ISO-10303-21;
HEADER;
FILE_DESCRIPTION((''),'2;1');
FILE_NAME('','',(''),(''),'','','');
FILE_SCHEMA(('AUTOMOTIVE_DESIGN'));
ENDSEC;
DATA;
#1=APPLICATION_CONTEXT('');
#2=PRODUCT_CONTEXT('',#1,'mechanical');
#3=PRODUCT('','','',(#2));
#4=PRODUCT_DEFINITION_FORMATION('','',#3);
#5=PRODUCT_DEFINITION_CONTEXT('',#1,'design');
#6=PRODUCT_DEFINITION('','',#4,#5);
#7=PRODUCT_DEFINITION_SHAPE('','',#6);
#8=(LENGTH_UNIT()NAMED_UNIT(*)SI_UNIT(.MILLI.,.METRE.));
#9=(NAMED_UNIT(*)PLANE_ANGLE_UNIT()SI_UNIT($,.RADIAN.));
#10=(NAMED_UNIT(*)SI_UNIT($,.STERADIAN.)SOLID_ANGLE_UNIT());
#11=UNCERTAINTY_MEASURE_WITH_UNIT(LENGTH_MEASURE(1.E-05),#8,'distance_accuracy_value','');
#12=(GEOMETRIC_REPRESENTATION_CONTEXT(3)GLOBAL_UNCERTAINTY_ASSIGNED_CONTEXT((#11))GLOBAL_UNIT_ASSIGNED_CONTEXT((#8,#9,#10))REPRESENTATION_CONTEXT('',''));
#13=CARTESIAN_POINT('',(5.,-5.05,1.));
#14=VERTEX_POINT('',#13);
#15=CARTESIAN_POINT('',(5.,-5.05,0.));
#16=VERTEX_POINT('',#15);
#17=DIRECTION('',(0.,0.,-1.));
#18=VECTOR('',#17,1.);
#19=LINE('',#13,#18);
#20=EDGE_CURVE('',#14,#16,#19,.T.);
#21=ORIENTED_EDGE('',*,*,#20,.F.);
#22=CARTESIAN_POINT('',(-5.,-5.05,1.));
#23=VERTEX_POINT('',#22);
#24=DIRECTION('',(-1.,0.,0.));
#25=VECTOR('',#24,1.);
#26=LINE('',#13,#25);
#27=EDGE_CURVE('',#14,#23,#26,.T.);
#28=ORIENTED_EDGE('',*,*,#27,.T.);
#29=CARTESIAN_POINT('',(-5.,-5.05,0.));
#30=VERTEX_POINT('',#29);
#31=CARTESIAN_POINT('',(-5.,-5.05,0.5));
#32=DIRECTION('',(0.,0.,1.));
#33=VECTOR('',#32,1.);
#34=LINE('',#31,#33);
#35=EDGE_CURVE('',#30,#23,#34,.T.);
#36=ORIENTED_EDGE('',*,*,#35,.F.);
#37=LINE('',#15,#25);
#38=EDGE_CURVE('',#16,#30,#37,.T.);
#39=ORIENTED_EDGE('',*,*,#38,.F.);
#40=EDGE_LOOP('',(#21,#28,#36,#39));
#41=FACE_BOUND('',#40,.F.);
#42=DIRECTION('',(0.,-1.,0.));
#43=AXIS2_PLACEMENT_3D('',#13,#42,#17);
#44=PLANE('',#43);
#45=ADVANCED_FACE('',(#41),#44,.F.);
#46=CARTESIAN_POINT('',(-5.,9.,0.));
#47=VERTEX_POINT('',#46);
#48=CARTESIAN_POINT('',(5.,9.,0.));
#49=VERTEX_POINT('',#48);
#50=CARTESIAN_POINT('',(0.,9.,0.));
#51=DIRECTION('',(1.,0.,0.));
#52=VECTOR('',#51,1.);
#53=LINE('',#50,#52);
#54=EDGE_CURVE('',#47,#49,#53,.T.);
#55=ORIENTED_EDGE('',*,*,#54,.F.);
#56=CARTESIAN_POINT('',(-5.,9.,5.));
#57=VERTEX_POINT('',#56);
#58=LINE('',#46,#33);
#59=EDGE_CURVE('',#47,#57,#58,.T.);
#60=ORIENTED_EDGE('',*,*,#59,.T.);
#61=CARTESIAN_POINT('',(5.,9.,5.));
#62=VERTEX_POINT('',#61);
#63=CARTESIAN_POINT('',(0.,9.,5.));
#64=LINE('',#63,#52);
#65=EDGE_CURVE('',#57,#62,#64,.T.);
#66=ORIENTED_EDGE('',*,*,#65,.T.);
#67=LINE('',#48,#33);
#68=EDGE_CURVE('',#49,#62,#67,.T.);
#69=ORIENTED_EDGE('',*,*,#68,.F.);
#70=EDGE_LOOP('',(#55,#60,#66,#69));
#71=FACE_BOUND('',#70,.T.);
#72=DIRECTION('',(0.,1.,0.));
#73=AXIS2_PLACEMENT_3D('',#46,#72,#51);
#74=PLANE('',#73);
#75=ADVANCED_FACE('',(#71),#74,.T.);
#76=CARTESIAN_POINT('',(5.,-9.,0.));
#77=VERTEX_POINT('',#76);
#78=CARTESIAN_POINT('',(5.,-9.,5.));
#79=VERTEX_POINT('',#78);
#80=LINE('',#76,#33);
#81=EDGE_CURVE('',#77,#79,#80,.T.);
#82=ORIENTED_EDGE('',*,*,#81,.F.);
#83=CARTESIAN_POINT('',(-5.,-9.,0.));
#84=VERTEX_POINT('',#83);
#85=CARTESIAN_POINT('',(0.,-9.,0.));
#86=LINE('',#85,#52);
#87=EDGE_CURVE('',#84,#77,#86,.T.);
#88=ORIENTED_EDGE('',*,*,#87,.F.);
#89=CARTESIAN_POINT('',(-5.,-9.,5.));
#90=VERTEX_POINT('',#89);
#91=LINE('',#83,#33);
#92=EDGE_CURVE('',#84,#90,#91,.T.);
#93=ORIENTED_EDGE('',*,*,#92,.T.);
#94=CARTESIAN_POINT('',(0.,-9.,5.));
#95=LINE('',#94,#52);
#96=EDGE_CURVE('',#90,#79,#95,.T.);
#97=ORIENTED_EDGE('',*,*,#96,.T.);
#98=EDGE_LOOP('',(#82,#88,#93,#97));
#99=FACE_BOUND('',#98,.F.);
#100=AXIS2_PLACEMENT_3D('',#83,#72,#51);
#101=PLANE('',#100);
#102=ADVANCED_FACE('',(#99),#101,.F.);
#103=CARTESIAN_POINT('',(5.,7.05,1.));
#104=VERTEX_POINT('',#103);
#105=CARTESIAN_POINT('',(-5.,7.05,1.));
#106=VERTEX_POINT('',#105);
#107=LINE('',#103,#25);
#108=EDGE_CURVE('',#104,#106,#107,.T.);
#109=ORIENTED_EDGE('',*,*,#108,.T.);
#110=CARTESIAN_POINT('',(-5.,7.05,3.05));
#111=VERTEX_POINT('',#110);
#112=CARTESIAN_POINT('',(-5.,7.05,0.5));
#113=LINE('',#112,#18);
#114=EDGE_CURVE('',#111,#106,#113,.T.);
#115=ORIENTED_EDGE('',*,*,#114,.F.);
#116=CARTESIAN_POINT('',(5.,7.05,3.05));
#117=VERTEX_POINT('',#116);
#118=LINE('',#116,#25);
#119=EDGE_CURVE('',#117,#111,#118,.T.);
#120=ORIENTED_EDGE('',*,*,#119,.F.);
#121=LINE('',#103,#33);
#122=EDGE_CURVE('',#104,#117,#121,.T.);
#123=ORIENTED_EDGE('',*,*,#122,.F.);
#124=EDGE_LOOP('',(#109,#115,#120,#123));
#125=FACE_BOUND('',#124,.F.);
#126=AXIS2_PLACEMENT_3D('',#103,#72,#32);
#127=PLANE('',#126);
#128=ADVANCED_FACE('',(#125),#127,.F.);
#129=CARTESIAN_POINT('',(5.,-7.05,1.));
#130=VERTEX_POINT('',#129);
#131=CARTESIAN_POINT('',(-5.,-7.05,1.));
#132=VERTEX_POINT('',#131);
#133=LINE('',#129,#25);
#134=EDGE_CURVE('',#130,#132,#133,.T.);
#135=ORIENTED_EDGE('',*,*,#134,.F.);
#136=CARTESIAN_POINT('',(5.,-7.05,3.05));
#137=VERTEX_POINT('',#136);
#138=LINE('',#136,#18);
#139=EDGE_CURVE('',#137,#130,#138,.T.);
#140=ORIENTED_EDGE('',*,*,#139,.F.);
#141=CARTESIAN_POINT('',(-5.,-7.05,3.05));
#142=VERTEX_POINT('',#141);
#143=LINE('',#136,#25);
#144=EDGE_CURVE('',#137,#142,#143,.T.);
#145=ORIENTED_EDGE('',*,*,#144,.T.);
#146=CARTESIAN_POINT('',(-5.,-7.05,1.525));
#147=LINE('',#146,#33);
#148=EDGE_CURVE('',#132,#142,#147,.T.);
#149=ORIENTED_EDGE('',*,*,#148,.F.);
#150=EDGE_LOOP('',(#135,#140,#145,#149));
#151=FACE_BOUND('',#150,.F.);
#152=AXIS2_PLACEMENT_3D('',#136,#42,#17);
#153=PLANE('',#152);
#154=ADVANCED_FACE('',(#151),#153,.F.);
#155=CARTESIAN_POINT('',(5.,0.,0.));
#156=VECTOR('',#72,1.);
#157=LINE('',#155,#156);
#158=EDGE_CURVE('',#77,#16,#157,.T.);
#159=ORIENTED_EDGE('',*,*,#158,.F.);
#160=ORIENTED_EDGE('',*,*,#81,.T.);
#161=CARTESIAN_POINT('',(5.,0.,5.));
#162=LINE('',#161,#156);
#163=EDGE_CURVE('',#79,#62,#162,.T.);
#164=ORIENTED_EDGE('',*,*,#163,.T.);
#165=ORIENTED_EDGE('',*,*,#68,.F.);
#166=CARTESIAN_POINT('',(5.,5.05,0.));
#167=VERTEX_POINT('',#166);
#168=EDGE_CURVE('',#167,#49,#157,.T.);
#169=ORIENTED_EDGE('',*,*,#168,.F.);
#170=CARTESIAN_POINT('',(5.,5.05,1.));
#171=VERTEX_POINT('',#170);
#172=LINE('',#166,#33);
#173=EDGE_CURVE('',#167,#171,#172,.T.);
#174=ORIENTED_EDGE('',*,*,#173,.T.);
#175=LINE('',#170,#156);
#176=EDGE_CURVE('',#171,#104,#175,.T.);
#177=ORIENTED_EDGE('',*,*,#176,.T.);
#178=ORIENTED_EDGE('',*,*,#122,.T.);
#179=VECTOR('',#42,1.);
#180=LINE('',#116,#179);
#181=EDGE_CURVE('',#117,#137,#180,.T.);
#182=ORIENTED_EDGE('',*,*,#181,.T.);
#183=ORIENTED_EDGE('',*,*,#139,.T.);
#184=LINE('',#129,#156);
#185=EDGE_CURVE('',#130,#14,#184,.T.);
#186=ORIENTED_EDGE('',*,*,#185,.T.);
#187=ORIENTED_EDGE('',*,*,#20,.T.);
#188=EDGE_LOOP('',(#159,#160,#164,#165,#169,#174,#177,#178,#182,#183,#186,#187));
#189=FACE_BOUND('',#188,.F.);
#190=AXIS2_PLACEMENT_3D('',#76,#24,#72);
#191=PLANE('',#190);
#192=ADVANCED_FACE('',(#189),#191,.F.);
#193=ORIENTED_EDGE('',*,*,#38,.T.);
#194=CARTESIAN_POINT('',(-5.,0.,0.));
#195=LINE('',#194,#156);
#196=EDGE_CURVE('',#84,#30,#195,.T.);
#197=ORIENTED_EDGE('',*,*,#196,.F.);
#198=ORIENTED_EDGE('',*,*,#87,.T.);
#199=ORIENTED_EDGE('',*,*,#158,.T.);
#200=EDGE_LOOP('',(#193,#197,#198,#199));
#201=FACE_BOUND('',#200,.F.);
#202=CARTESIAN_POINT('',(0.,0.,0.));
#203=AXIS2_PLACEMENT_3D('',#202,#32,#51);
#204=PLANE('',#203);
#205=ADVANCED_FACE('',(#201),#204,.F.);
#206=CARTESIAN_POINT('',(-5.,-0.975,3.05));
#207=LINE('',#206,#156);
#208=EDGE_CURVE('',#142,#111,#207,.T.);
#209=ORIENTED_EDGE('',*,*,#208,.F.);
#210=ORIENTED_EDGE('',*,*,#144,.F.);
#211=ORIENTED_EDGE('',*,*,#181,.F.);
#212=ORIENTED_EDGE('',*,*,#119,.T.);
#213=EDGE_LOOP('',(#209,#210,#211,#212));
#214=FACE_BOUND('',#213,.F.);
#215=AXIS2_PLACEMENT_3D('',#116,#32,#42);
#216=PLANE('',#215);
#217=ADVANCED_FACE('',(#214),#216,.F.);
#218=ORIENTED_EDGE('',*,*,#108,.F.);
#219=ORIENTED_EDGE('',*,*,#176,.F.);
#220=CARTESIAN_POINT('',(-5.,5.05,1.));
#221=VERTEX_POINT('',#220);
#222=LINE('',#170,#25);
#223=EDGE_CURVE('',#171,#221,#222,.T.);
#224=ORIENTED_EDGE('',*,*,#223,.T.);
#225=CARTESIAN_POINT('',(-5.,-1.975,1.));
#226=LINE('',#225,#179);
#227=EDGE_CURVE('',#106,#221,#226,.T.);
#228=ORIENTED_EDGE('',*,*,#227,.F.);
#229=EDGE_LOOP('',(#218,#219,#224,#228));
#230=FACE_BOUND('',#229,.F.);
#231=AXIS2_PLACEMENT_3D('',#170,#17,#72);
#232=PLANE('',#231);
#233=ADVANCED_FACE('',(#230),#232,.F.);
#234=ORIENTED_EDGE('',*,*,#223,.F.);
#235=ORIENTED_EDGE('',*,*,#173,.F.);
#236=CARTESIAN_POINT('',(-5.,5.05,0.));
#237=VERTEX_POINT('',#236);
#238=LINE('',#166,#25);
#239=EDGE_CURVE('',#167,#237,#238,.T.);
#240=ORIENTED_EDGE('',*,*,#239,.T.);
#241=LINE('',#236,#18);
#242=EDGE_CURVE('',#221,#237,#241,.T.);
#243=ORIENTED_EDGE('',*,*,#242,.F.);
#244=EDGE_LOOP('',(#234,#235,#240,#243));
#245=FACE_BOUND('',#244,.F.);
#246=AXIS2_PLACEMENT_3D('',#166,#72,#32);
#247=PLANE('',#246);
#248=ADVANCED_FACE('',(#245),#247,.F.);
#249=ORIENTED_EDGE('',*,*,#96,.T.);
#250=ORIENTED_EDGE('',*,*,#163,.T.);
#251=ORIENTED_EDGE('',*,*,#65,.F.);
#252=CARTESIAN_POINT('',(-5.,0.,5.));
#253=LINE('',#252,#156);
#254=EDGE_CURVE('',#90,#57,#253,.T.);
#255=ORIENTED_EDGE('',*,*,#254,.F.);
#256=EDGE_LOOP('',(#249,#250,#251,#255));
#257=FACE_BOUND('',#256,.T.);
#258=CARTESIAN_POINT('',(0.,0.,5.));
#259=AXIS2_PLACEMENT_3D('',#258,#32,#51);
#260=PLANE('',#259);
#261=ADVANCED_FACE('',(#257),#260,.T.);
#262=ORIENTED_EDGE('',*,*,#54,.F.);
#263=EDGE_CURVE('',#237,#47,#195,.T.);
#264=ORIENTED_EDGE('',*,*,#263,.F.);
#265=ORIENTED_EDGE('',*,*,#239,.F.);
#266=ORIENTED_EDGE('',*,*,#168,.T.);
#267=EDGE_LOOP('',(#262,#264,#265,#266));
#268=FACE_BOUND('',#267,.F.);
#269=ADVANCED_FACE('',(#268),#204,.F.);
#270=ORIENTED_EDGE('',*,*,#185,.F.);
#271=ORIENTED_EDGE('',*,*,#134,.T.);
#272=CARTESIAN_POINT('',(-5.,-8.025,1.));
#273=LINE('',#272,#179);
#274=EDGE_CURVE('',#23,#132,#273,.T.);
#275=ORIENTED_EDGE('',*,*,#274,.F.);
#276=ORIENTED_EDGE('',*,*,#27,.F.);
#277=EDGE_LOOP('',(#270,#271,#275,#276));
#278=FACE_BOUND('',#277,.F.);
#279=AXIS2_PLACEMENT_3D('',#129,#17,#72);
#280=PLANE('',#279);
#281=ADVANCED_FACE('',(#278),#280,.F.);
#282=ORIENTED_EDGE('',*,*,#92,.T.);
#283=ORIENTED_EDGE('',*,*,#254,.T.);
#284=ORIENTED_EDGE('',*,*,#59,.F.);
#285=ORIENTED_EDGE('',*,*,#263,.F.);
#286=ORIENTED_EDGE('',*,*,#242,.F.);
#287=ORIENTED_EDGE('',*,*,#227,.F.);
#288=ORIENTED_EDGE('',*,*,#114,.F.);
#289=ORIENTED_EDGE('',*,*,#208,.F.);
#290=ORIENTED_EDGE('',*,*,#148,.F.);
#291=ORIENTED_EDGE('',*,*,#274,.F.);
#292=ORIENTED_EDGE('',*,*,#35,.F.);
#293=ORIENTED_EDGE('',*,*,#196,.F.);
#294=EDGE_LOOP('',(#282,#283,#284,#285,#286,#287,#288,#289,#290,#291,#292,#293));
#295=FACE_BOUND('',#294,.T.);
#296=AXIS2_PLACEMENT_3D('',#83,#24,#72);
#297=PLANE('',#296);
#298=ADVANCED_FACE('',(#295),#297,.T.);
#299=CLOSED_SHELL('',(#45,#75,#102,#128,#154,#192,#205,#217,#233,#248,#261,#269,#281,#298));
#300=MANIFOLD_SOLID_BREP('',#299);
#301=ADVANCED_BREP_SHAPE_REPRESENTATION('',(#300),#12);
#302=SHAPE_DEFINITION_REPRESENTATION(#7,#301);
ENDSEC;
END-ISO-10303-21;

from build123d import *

# Parameters (mm, degrees)
F0_W     = 10
F0_H     = 18
F1_DEPTH = 5
F3_DEPTH = 10.001


with BuildPart() as f1:
    # F0 (on Top) → F1 (new body)
    with BuildSketch(Plane.XY):
        Rectangle(F0_W, F0_H)
    extrude(amount=F1_DEPTH)

    # F2 (on face) → F3 (cut, through all)
    with BuildSketch(Plane.YZ.offset(5)):
        Polygon((-5.05, 1), (-5.05, 0), (5.05, 0), (5.05, 1), (7.05, 1), (7.05, 3.05), (-7.05, 3.05), (-7.05, 1), align=None)
    extrude(amount=-F3_DEPTH, mode=Mode.SUBTRACT)


solid = f1.part
